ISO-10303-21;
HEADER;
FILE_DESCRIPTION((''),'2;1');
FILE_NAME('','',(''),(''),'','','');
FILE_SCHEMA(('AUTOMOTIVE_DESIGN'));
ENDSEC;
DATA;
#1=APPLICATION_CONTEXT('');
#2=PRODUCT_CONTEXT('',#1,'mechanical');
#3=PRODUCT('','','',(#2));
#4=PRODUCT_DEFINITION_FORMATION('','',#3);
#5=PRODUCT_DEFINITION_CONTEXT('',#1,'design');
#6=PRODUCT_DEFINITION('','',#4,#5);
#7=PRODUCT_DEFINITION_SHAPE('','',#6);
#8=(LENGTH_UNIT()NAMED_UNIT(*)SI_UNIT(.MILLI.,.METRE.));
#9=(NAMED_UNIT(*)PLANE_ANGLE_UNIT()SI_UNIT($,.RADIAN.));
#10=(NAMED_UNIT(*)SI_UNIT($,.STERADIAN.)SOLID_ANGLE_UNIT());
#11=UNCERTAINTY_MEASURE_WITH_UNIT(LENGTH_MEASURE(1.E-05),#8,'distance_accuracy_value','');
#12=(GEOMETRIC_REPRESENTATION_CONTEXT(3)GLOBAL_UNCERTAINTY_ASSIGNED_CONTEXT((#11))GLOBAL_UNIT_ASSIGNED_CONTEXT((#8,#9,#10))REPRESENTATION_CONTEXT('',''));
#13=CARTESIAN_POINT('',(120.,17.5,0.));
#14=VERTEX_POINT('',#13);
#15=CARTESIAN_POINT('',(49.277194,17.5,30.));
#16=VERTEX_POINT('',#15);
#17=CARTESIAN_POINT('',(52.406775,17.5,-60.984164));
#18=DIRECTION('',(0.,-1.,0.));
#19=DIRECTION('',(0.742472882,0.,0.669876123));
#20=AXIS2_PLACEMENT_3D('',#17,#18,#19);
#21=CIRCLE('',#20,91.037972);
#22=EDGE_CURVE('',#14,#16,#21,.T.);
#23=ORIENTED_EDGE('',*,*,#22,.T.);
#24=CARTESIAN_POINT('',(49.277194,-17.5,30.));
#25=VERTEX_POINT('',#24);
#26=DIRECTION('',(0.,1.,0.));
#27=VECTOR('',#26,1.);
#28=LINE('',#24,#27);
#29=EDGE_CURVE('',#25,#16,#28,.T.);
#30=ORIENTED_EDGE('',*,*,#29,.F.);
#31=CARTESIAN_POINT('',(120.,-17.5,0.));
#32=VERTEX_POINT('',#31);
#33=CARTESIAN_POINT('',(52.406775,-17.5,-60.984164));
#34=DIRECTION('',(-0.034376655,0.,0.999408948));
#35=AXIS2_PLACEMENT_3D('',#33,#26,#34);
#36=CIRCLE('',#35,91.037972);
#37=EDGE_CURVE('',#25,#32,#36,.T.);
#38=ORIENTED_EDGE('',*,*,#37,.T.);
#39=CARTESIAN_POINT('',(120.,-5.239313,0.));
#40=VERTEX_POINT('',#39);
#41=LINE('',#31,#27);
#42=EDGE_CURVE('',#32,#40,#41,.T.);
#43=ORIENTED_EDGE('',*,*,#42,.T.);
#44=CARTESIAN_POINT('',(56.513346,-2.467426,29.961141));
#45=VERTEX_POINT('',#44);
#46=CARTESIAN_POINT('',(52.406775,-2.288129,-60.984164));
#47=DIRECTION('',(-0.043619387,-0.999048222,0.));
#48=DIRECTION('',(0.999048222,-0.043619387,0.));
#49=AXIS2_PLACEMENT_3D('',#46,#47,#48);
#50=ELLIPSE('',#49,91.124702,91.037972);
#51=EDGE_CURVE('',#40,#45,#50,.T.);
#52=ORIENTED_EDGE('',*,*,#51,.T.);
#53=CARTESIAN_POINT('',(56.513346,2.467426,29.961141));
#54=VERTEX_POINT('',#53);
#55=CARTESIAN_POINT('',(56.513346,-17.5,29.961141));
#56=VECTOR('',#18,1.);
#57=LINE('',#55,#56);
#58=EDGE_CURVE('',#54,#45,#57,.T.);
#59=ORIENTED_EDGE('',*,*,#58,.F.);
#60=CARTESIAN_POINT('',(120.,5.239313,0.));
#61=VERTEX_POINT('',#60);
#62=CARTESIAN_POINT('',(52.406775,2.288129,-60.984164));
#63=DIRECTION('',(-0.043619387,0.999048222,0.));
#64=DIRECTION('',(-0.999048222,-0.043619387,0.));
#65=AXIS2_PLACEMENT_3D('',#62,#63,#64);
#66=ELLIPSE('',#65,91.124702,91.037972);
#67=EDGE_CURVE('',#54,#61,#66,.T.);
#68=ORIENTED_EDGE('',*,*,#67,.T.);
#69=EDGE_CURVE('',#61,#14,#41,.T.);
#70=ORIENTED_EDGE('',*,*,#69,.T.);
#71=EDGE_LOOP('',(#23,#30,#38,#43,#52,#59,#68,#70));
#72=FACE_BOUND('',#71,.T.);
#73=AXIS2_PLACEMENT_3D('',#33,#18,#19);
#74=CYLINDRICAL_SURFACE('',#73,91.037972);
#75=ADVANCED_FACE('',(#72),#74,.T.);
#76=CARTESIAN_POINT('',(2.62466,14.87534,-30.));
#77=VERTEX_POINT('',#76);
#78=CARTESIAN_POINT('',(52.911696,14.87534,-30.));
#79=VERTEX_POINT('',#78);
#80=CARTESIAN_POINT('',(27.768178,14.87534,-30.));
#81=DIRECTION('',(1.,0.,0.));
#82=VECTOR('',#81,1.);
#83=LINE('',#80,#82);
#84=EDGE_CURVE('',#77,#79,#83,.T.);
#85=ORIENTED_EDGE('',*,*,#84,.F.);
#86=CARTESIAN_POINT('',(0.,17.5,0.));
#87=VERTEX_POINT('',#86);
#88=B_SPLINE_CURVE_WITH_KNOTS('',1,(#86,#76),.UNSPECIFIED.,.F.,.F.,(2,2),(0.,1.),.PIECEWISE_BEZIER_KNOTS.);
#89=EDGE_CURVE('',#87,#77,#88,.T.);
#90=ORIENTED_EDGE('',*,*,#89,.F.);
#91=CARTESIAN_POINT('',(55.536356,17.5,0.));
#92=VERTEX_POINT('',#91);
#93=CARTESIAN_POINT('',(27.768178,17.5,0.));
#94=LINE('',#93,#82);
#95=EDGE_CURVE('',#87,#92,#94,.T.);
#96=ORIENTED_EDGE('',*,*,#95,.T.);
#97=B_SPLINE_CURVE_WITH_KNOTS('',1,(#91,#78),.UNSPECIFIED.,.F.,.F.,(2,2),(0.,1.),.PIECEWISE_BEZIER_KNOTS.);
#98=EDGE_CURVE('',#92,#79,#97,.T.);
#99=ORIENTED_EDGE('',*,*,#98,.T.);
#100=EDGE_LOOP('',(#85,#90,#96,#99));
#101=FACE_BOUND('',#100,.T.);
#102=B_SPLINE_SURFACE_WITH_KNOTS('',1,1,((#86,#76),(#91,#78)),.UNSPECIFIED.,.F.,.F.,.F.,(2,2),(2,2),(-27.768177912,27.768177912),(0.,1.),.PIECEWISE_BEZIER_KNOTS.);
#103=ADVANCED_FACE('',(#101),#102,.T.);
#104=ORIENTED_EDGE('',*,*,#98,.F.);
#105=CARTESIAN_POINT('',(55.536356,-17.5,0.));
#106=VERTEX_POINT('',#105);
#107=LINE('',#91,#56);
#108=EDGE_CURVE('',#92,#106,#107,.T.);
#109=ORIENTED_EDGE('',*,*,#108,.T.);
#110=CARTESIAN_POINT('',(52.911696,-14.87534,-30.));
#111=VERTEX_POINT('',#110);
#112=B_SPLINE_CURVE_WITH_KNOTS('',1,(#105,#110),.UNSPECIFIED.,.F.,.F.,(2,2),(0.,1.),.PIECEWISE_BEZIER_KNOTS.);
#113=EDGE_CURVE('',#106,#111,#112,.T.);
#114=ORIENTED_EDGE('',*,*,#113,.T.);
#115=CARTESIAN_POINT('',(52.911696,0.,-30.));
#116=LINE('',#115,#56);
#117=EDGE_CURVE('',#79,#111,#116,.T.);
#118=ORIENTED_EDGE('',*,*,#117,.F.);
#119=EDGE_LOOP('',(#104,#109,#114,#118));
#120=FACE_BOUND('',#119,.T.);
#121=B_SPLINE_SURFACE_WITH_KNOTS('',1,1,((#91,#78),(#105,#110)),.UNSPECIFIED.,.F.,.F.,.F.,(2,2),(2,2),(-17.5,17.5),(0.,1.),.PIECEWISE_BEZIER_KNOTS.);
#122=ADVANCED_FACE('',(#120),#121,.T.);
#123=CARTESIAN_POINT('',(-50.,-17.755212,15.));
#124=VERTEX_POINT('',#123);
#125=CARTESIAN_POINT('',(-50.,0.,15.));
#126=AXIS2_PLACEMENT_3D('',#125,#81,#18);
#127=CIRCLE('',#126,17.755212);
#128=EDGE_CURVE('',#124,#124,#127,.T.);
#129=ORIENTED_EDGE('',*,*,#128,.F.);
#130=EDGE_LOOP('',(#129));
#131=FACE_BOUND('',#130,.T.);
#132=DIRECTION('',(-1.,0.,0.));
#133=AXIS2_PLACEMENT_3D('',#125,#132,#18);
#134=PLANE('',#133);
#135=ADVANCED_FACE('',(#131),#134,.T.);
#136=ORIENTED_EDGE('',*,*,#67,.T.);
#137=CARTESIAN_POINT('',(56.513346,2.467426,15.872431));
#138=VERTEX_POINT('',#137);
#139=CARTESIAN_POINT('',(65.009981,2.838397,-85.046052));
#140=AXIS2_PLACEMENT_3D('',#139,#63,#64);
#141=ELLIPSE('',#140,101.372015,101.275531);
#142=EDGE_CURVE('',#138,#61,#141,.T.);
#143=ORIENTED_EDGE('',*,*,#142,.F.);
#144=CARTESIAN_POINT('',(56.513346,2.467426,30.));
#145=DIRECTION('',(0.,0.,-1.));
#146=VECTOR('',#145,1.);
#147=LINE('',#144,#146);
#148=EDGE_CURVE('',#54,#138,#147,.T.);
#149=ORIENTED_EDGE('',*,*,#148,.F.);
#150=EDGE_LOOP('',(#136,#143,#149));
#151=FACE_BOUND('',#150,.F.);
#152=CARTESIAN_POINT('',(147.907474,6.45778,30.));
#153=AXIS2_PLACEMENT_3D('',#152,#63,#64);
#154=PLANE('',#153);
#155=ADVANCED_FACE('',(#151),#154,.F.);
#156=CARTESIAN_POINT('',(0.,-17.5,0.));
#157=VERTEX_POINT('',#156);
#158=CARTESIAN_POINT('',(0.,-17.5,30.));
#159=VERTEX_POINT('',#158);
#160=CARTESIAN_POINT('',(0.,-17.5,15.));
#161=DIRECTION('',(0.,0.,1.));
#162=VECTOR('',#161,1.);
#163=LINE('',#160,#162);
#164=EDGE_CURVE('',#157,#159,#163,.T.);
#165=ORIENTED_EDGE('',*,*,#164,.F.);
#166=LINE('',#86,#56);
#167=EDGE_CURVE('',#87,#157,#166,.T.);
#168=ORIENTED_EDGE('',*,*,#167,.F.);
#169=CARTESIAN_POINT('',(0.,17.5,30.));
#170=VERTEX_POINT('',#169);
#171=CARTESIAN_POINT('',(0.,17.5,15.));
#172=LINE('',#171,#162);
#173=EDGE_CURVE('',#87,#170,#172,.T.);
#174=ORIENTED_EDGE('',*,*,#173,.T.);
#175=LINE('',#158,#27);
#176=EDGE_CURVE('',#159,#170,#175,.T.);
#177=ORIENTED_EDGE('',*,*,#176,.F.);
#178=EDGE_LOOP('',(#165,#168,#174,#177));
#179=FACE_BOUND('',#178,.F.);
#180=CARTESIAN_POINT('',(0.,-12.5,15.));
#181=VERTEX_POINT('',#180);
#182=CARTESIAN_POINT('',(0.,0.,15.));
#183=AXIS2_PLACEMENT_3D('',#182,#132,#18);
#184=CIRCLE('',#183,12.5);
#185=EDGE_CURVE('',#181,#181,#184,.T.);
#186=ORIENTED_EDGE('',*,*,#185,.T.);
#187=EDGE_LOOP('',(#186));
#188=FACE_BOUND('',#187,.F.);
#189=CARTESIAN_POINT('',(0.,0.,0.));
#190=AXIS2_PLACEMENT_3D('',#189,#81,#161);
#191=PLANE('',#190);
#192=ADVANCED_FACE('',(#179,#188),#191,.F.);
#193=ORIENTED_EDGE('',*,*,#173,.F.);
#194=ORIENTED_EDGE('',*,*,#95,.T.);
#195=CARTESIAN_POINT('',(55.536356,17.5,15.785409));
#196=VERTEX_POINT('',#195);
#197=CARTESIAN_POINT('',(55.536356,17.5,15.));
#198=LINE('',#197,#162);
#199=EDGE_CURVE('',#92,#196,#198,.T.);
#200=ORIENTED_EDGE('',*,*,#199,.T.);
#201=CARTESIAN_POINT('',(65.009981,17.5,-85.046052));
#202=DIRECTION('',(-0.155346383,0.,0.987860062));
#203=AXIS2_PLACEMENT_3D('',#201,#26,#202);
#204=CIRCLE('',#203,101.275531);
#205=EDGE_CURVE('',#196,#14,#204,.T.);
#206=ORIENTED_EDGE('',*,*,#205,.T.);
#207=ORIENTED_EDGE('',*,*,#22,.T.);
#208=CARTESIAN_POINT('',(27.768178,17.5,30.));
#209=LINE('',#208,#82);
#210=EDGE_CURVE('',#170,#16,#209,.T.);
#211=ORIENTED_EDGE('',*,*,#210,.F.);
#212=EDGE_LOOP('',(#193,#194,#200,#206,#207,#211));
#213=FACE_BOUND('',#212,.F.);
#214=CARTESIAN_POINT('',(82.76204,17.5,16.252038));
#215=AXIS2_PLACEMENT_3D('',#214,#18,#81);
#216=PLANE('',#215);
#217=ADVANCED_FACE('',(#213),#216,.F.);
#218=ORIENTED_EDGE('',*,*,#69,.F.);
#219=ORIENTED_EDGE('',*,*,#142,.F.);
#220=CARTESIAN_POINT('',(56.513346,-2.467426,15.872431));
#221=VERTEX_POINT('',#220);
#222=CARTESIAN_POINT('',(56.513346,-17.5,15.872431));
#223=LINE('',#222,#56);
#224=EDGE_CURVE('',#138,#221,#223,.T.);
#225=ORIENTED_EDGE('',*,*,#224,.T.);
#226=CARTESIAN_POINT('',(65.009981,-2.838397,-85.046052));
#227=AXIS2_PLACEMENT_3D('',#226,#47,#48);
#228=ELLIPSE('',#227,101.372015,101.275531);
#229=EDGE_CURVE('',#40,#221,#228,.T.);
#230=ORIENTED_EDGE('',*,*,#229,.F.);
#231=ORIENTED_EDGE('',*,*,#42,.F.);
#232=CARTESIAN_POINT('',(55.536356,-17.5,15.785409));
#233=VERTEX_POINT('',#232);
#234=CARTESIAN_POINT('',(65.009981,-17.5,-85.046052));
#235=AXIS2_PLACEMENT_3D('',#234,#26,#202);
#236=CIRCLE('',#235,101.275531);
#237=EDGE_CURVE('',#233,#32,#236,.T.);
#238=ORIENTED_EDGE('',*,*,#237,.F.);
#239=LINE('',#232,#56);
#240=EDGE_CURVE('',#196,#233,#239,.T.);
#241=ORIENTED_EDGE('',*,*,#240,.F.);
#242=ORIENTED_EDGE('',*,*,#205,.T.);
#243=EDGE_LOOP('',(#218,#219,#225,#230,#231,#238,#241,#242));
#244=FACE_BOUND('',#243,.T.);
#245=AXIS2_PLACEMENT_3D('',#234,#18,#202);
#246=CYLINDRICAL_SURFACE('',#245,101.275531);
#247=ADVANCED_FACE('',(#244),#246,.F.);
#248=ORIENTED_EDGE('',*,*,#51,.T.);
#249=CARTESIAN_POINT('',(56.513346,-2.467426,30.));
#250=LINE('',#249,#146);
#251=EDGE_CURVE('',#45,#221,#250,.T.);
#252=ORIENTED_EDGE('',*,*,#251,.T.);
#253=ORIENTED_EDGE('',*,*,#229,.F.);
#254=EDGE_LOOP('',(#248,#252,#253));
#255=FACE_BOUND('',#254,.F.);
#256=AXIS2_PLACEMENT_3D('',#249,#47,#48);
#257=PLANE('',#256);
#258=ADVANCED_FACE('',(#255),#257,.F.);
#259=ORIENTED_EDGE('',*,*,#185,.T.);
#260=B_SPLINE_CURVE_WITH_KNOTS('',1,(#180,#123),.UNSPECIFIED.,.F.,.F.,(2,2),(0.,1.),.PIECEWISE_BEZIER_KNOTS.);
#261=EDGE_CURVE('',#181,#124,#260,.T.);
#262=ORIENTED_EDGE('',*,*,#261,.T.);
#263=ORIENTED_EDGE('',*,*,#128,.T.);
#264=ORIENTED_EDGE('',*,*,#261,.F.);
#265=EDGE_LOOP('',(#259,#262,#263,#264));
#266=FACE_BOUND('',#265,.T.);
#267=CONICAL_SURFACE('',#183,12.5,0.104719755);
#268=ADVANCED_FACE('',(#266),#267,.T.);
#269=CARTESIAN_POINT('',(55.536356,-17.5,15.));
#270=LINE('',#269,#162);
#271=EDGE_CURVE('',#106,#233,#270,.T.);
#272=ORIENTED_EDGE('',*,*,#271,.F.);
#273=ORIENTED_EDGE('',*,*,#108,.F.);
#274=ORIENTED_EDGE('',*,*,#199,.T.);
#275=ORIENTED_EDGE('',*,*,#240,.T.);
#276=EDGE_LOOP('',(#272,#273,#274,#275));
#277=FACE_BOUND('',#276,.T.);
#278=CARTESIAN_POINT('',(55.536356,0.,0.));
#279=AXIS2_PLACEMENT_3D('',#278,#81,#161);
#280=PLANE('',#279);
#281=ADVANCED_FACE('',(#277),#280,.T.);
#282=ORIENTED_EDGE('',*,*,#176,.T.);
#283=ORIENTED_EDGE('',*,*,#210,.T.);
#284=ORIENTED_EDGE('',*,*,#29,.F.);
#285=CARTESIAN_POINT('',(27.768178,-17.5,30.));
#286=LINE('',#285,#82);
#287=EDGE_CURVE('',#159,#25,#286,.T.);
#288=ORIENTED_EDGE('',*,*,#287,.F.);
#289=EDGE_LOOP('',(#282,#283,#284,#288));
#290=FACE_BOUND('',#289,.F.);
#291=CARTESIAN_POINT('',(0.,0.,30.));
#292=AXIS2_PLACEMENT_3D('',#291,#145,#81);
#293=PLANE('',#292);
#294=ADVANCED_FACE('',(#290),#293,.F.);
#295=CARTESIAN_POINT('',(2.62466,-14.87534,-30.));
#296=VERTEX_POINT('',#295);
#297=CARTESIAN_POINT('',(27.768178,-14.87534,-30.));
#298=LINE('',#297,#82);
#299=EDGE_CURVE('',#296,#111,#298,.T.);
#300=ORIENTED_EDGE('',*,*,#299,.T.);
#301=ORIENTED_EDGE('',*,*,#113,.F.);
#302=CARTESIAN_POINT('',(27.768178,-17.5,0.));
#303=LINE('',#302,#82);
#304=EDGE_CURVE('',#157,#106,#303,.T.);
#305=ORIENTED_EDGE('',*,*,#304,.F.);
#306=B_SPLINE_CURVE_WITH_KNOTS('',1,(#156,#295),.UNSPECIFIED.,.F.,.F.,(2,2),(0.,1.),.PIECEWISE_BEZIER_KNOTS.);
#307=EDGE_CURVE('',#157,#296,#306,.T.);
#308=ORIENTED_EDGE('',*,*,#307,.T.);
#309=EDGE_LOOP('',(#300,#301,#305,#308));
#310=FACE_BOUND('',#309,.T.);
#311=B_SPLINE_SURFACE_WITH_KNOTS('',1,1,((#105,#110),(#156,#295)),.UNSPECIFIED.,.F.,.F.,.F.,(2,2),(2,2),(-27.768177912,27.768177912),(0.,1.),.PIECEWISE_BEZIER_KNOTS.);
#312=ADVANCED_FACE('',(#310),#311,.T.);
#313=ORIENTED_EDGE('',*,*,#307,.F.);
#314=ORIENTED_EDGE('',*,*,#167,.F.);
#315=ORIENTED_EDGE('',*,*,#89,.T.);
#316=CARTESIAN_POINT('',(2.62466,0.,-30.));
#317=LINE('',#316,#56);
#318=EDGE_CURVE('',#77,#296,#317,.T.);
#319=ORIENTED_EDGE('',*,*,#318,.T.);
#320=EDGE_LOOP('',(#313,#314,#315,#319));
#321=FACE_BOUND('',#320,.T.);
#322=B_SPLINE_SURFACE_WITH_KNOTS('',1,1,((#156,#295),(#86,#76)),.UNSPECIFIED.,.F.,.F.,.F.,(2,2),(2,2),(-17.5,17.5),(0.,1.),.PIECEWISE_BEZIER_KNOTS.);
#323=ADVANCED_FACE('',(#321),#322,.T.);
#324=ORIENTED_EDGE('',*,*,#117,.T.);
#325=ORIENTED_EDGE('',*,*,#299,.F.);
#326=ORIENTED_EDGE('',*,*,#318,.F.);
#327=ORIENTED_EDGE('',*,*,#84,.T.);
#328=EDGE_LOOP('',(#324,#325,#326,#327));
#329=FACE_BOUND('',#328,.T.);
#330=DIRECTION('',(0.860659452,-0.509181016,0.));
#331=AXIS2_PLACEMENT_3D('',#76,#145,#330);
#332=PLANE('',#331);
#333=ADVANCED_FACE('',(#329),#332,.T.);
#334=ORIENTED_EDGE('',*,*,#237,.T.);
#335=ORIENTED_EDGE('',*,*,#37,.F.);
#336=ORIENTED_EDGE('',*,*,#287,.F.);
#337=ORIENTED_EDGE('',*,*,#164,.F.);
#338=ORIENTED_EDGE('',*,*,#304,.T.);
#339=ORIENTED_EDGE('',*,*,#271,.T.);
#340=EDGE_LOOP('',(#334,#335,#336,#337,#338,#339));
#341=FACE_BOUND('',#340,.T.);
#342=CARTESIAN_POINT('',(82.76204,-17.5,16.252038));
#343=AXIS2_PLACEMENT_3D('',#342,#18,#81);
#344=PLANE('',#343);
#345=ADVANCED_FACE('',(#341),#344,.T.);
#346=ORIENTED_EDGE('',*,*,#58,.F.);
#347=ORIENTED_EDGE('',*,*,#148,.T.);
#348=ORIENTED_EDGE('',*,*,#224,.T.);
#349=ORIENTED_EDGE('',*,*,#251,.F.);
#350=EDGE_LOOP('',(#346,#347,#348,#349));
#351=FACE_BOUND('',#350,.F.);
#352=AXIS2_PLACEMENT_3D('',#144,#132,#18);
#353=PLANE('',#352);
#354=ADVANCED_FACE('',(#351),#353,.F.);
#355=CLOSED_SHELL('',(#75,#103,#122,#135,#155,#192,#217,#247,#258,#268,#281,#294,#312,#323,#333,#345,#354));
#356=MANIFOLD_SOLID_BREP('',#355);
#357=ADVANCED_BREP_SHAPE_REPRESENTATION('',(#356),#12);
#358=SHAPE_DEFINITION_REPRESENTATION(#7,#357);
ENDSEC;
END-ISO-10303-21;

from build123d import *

# Parameters (mm, degrees)
F0_W      = 55.5363558233
F0_H      = 30
F1_DEPTH  = 17.5
F1_FACE_W = 55.5363558233
F1_FACE_H = 35
F2_DEPTH  = 30
F2_TAPER  = 5
F3_R      = 12.5
F4_DEPTH  = 50
F4_TAPER  = -6
F6_DEPTH  = 35
F8_DEPTH  = 35


with BuildPart() as f1:
    # F0 (on Front) → F1 (new body, symmetric)
    with BuildSketch(Plane.XZ):
        with Locations((27.7681779116, 15)):
            Rectangle(F0_W, F0_H)
    extrude(amount=F1_DEPTH, both=True)

    # F1_face (on face) → F2 (join)
    with BuildSketch(Plane(origin=(27.7681779116, 0, 0), x_dir=(1, 0, 0), z_dir=(0, 0, -1))):
        Rectangle(F1_FACE_W, F1_FACE_H)
    extrude(amount=F2_DEPTH, taper=F2_TAPER)

    # F3 (on face) → F4 (join)
    with BuildSketch(Plane(origin=(0, 0, 0), x_dir=(0, -1, 0), z_dir=(-1, 0, 0))):
        with Locations((0, 15)):
            Circle(F3_R)
    extrude(amount=F4_DEPTH, taper=F4_TAPER)

    # F5 (on face) → F6 (join)
    with BuildSketch(Plane.XZ.offset(17.5)):
        with BuildLine():
            ThreePointArc((120, 0), (87.9580104682, 22.8252746923), (49.2771938443, 30))
            Line((49.2771938443, 30), (49.2771938443, 15))
            ThreePointArc((49.2771938443, 15), (86.0226572611, 14.0256420707), (120, 0))
        make_face()
    extrude(amount=-F6_DEPTH)

    # F7 (on face) → F8 (cut)
    with BuildSketch(Plane.XY.offset(30)):
        Polygon((147.9074739632, 6.4577797765), (56.5133458154, 2.4674259652), (56.5133458154, -2.4674259652), (147.8689167317, -6.4560963314), align=None)
    extrude(amount=-F8_DEPTH, mode=Mode.SUBTRACT)


solid = f1.part
